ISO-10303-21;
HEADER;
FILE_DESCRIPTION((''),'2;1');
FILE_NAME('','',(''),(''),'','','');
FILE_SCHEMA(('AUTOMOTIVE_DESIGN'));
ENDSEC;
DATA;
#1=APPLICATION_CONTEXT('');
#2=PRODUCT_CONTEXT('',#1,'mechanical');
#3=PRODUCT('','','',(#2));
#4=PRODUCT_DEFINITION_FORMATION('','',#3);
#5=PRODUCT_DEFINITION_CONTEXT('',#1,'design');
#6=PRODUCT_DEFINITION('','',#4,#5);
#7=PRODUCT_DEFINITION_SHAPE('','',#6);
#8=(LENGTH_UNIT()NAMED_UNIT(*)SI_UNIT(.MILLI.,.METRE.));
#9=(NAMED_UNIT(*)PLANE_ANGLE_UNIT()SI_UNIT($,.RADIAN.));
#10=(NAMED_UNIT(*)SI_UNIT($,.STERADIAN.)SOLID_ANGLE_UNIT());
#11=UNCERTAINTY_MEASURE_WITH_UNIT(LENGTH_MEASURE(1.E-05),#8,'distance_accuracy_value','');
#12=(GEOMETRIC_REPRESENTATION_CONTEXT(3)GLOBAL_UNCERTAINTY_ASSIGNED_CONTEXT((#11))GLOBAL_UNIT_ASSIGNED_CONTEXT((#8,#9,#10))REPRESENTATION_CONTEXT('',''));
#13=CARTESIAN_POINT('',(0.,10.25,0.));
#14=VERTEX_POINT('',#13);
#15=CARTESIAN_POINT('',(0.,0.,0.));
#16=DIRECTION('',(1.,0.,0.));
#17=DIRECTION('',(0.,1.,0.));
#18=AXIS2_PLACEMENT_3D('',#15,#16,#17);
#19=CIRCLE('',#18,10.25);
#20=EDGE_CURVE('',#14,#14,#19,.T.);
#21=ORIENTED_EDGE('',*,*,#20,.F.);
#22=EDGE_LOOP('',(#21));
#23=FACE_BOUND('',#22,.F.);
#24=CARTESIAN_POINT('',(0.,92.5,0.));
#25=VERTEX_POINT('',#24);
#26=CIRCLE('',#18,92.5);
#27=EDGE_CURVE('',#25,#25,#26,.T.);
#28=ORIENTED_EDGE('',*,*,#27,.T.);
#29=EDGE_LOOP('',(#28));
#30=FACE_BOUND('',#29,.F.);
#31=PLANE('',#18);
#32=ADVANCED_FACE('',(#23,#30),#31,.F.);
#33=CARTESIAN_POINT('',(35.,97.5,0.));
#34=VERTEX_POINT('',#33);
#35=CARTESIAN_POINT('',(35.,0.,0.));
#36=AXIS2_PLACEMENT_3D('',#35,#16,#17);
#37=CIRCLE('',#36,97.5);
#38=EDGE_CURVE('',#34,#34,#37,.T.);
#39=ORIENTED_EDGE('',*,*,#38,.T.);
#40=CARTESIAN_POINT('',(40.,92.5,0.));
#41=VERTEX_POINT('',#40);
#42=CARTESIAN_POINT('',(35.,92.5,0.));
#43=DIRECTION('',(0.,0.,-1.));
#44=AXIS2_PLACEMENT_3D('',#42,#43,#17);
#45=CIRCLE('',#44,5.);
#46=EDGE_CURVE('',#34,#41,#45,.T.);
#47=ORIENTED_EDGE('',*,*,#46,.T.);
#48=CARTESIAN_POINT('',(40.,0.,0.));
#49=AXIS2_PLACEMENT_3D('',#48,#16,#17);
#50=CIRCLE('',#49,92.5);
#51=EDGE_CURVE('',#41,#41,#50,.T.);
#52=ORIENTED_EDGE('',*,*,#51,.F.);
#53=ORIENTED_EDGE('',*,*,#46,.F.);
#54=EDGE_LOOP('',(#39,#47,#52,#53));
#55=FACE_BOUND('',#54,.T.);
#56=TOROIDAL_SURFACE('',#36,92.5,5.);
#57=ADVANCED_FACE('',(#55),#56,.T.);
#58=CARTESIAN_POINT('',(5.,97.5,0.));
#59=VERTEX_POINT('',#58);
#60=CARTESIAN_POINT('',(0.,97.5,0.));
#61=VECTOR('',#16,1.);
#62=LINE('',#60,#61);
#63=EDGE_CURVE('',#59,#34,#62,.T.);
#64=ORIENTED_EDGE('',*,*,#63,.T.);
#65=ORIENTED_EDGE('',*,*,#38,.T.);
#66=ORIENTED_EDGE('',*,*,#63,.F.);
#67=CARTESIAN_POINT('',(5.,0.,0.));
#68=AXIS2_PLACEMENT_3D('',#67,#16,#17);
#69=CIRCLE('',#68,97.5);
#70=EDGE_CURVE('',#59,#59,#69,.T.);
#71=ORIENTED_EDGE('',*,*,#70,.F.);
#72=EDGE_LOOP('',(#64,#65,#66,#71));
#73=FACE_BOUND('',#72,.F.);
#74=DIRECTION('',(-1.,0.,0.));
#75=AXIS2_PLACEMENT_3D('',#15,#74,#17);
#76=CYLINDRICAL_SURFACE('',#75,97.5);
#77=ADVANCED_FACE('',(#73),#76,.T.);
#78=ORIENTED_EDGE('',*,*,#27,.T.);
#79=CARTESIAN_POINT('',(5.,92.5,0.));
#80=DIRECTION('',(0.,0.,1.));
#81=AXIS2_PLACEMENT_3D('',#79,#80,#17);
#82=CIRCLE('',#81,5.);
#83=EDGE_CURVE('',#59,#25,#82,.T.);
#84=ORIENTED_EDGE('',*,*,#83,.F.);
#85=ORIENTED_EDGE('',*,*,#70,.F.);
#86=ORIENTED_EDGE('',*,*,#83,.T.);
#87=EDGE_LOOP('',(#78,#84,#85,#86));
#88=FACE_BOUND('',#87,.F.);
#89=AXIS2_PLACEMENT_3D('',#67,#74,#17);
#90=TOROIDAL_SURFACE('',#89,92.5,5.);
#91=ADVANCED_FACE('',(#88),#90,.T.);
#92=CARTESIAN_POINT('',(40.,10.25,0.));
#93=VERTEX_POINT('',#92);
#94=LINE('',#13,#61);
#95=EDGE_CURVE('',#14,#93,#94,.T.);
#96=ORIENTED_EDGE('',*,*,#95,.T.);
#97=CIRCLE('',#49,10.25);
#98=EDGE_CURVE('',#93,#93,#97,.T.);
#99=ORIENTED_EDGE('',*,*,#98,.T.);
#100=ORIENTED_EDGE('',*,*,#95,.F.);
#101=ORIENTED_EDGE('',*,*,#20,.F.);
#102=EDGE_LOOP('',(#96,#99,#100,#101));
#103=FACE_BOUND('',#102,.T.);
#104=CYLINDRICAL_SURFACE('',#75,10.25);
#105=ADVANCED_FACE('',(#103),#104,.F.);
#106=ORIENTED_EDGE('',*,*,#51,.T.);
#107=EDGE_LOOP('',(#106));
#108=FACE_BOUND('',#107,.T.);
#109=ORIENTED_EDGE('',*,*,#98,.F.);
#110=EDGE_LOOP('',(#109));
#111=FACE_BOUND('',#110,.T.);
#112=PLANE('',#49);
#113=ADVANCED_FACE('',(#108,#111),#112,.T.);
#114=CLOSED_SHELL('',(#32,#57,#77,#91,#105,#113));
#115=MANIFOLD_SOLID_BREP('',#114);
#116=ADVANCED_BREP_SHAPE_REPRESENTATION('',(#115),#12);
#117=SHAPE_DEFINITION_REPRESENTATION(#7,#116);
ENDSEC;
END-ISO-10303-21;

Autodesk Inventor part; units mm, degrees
ref_plane "XZ Plane" through (0, 0, 0) normal (0, 1, 0) x (-1, 0, 0)
ref_plane "XY Plane" through (0, 0, 0) normal (0, 0, 1) x (1, 0, 0)
sketch "Boceto1" plane through (0, 0, 0) normal (1, 0, 0) x (0, 1, 0)
  circle A0 centre (0, 0) radius 97.5
  circle A1 centre (0, 0) radius 10.25
  dimension "d0" = 195
  dimension "d1" = 20.5
extrude "Extrusión1" add sketch "Boceto1" along normal blind 40
fillet "Empalme1" radius 5 2 edges at (0, -97.5, 0) (40, -97.5, 0)
properties part number "wheel_left_link"
